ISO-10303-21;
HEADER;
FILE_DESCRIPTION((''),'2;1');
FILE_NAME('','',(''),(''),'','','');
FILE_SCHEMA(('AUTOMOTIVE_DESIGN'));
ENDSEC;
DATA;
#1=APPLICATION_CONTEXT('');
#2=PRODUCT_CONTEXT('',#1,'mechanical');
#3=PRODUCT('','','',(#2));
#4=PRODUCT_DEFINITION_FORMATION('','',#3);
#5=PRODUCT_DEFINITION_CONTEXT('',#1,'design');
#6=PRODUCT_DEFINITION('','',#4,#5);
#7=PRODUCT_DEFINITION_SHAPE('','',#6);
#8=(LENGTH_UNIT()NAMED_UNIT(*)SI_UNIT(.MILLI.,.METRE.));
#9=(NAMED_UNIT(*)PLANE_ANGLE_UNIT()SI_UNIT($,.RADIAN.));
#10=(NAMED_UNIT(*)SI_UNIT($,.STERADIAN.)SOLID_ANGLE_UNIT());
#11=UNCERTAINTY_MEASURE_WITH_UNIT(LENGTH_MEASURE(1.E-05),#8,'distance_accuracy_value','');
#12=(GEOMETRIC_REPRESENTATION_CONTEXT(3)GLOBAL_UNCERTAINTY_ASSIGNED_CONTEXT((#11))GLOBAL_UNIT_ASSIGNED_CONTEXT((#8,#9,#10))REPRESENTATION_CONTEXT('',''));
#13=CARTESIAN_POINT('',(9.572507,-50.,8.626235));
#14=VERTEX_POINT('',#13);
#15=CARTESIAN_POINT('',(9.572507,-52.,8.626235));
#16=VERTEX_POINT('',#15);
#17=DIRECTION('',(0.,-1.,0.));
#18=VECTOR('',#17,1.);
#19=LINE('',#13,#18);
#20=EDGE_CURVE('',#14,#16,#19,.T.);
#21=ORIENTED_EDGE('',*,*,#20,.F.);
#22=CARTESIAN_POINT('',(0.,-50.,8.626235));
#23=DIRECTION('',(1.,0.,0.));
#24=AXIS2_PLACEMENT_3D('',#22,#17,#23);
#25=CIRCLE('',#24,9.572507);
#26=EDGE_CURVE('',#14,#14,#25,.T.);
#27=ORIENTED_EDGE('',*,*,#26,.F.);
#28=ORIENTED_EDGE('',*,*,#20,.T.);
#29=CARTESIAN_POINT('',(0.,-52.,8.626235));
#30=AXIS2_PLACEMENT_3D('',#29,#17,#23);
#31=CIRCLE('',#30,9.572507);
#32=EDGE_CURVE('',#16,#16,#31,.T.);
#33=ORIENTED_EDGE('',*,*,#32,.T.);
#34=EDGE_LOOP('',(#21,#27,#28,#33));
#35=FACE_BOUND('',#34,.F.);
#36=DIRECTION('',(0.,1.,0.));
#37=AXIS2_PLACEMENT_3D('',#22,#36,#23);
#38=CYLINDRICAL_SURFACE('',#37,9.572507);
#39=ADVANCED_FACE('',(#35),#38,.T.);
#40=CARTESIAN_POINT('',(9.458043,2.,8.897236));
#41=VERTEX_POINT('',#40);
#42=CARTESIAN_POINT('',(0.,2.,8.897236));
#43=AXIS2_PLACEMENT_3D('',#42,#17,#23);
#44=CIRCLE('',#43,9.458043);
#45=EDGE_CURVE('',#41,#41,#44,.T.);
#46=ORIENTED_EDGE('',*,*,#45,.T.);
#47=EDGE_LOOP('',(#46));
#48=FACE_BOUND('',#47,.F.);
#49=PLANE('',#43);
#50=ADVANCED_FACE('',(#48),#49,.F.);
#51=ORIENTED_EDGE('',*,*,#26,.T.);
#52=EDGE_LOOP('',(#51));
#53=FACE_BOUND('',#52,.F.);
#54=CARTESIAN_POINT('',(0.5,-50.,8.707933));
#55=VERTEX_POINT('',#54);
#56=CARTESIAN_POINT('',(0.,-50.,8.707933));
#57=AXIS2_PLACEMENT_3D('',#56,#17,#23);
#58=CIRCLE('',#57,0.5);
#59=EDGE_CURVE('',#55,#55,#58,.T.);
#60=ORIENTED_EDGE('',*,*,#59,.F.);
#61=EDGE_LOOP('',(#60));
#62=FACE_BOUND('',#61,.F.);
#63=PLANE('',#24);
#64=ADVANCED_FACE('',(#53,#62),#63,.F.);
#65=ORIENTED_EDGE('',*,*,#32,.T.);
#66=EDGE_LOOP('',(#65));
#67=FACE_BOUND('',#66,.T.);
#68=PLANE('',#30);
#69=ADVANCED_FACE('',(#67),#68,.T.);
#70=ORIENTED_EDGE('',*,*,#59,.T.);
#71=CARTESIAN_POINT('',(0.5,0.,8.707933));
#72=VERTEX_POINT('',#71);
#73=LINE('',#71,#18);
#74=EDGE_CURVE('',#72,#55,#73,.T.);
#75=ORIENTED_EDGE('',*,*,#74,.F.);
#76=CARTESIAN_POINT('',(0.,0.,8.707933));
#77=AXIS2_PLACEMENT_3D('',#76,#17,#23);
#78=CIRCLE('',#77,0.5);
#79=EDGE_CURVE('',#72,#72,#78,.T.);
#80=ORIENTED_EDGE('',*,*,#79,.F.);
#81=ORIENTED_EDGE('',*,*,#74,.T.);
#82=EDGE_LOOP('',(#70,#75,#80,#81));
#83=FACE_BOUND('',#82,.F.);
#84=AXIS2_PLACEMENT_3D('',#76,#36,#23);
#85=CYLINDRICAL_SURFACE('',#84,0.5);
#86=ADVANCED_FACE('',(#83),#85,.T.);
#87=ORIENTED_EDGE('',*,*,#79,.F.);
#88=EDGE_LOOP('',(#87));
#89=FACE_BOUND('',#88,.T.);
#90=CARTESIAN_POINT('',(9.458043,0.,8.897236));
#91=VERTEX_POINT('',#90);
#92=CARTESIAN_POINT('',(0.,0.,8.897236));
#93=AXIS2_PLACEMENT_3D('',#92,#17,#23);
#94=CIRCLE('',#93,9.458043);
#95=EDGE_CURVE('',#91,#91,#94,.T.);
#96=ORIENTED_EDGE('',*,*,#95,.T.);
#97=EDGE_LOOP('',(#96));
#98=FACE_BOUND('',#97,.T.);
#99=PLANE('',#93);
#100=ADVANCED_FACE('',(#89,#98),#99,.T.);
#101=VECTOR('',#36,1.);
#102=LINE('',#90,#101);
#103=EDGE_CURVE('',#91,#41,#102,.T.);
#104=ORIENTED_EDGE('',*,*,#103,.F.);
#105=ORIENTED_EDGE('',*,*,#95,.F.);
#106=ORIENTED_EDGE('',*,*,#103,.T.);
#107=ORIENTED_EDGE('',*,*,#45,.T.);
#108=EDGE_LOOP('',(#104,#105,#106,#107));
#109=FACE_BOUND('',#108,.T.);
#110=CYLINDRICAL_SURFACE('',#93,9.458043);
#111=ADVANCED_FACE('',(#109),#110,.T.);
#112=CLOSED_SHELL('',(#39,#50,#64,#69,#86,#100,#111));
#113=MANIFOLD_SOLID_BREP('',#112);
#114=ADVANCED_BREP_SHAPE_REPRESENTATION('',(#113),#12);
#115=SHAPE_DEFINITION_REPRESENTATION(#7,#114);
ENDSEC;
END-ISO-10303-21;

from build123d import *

# Parameters (mm, degrees)
F0_R     = 0.5
F1_DEPTH = 50
F3_R     = 9.458043
F4_DEPTH = 2
F6_R     = 9.572507
F7_DEPTH = 2


with BuildPart() as f1:
    # F0 (on Front) → F1 (new body)
    with BuildSketch(Plane.XZ):
        with Locations((0, 8.707933)):
            Circle(F0_R)
    extrude(amount=F1_DEPTH)

    # F3 (on Front) → F4 (join)
    with BuildSketch(Plane.XZ):
        with Locations((0, 8.897236)):
            Circle(F3_R)
    extrude(amount=-F4_DEPTH)

    # F6 (on offset) → F7 (join)
    with BuildSketch(Plane.XZ.offset(50)):
        with Locations((0, 8.626235)):
            Circle(F6_R)
    extrude(amount=F7_DEPTH)


solid = f1.part
